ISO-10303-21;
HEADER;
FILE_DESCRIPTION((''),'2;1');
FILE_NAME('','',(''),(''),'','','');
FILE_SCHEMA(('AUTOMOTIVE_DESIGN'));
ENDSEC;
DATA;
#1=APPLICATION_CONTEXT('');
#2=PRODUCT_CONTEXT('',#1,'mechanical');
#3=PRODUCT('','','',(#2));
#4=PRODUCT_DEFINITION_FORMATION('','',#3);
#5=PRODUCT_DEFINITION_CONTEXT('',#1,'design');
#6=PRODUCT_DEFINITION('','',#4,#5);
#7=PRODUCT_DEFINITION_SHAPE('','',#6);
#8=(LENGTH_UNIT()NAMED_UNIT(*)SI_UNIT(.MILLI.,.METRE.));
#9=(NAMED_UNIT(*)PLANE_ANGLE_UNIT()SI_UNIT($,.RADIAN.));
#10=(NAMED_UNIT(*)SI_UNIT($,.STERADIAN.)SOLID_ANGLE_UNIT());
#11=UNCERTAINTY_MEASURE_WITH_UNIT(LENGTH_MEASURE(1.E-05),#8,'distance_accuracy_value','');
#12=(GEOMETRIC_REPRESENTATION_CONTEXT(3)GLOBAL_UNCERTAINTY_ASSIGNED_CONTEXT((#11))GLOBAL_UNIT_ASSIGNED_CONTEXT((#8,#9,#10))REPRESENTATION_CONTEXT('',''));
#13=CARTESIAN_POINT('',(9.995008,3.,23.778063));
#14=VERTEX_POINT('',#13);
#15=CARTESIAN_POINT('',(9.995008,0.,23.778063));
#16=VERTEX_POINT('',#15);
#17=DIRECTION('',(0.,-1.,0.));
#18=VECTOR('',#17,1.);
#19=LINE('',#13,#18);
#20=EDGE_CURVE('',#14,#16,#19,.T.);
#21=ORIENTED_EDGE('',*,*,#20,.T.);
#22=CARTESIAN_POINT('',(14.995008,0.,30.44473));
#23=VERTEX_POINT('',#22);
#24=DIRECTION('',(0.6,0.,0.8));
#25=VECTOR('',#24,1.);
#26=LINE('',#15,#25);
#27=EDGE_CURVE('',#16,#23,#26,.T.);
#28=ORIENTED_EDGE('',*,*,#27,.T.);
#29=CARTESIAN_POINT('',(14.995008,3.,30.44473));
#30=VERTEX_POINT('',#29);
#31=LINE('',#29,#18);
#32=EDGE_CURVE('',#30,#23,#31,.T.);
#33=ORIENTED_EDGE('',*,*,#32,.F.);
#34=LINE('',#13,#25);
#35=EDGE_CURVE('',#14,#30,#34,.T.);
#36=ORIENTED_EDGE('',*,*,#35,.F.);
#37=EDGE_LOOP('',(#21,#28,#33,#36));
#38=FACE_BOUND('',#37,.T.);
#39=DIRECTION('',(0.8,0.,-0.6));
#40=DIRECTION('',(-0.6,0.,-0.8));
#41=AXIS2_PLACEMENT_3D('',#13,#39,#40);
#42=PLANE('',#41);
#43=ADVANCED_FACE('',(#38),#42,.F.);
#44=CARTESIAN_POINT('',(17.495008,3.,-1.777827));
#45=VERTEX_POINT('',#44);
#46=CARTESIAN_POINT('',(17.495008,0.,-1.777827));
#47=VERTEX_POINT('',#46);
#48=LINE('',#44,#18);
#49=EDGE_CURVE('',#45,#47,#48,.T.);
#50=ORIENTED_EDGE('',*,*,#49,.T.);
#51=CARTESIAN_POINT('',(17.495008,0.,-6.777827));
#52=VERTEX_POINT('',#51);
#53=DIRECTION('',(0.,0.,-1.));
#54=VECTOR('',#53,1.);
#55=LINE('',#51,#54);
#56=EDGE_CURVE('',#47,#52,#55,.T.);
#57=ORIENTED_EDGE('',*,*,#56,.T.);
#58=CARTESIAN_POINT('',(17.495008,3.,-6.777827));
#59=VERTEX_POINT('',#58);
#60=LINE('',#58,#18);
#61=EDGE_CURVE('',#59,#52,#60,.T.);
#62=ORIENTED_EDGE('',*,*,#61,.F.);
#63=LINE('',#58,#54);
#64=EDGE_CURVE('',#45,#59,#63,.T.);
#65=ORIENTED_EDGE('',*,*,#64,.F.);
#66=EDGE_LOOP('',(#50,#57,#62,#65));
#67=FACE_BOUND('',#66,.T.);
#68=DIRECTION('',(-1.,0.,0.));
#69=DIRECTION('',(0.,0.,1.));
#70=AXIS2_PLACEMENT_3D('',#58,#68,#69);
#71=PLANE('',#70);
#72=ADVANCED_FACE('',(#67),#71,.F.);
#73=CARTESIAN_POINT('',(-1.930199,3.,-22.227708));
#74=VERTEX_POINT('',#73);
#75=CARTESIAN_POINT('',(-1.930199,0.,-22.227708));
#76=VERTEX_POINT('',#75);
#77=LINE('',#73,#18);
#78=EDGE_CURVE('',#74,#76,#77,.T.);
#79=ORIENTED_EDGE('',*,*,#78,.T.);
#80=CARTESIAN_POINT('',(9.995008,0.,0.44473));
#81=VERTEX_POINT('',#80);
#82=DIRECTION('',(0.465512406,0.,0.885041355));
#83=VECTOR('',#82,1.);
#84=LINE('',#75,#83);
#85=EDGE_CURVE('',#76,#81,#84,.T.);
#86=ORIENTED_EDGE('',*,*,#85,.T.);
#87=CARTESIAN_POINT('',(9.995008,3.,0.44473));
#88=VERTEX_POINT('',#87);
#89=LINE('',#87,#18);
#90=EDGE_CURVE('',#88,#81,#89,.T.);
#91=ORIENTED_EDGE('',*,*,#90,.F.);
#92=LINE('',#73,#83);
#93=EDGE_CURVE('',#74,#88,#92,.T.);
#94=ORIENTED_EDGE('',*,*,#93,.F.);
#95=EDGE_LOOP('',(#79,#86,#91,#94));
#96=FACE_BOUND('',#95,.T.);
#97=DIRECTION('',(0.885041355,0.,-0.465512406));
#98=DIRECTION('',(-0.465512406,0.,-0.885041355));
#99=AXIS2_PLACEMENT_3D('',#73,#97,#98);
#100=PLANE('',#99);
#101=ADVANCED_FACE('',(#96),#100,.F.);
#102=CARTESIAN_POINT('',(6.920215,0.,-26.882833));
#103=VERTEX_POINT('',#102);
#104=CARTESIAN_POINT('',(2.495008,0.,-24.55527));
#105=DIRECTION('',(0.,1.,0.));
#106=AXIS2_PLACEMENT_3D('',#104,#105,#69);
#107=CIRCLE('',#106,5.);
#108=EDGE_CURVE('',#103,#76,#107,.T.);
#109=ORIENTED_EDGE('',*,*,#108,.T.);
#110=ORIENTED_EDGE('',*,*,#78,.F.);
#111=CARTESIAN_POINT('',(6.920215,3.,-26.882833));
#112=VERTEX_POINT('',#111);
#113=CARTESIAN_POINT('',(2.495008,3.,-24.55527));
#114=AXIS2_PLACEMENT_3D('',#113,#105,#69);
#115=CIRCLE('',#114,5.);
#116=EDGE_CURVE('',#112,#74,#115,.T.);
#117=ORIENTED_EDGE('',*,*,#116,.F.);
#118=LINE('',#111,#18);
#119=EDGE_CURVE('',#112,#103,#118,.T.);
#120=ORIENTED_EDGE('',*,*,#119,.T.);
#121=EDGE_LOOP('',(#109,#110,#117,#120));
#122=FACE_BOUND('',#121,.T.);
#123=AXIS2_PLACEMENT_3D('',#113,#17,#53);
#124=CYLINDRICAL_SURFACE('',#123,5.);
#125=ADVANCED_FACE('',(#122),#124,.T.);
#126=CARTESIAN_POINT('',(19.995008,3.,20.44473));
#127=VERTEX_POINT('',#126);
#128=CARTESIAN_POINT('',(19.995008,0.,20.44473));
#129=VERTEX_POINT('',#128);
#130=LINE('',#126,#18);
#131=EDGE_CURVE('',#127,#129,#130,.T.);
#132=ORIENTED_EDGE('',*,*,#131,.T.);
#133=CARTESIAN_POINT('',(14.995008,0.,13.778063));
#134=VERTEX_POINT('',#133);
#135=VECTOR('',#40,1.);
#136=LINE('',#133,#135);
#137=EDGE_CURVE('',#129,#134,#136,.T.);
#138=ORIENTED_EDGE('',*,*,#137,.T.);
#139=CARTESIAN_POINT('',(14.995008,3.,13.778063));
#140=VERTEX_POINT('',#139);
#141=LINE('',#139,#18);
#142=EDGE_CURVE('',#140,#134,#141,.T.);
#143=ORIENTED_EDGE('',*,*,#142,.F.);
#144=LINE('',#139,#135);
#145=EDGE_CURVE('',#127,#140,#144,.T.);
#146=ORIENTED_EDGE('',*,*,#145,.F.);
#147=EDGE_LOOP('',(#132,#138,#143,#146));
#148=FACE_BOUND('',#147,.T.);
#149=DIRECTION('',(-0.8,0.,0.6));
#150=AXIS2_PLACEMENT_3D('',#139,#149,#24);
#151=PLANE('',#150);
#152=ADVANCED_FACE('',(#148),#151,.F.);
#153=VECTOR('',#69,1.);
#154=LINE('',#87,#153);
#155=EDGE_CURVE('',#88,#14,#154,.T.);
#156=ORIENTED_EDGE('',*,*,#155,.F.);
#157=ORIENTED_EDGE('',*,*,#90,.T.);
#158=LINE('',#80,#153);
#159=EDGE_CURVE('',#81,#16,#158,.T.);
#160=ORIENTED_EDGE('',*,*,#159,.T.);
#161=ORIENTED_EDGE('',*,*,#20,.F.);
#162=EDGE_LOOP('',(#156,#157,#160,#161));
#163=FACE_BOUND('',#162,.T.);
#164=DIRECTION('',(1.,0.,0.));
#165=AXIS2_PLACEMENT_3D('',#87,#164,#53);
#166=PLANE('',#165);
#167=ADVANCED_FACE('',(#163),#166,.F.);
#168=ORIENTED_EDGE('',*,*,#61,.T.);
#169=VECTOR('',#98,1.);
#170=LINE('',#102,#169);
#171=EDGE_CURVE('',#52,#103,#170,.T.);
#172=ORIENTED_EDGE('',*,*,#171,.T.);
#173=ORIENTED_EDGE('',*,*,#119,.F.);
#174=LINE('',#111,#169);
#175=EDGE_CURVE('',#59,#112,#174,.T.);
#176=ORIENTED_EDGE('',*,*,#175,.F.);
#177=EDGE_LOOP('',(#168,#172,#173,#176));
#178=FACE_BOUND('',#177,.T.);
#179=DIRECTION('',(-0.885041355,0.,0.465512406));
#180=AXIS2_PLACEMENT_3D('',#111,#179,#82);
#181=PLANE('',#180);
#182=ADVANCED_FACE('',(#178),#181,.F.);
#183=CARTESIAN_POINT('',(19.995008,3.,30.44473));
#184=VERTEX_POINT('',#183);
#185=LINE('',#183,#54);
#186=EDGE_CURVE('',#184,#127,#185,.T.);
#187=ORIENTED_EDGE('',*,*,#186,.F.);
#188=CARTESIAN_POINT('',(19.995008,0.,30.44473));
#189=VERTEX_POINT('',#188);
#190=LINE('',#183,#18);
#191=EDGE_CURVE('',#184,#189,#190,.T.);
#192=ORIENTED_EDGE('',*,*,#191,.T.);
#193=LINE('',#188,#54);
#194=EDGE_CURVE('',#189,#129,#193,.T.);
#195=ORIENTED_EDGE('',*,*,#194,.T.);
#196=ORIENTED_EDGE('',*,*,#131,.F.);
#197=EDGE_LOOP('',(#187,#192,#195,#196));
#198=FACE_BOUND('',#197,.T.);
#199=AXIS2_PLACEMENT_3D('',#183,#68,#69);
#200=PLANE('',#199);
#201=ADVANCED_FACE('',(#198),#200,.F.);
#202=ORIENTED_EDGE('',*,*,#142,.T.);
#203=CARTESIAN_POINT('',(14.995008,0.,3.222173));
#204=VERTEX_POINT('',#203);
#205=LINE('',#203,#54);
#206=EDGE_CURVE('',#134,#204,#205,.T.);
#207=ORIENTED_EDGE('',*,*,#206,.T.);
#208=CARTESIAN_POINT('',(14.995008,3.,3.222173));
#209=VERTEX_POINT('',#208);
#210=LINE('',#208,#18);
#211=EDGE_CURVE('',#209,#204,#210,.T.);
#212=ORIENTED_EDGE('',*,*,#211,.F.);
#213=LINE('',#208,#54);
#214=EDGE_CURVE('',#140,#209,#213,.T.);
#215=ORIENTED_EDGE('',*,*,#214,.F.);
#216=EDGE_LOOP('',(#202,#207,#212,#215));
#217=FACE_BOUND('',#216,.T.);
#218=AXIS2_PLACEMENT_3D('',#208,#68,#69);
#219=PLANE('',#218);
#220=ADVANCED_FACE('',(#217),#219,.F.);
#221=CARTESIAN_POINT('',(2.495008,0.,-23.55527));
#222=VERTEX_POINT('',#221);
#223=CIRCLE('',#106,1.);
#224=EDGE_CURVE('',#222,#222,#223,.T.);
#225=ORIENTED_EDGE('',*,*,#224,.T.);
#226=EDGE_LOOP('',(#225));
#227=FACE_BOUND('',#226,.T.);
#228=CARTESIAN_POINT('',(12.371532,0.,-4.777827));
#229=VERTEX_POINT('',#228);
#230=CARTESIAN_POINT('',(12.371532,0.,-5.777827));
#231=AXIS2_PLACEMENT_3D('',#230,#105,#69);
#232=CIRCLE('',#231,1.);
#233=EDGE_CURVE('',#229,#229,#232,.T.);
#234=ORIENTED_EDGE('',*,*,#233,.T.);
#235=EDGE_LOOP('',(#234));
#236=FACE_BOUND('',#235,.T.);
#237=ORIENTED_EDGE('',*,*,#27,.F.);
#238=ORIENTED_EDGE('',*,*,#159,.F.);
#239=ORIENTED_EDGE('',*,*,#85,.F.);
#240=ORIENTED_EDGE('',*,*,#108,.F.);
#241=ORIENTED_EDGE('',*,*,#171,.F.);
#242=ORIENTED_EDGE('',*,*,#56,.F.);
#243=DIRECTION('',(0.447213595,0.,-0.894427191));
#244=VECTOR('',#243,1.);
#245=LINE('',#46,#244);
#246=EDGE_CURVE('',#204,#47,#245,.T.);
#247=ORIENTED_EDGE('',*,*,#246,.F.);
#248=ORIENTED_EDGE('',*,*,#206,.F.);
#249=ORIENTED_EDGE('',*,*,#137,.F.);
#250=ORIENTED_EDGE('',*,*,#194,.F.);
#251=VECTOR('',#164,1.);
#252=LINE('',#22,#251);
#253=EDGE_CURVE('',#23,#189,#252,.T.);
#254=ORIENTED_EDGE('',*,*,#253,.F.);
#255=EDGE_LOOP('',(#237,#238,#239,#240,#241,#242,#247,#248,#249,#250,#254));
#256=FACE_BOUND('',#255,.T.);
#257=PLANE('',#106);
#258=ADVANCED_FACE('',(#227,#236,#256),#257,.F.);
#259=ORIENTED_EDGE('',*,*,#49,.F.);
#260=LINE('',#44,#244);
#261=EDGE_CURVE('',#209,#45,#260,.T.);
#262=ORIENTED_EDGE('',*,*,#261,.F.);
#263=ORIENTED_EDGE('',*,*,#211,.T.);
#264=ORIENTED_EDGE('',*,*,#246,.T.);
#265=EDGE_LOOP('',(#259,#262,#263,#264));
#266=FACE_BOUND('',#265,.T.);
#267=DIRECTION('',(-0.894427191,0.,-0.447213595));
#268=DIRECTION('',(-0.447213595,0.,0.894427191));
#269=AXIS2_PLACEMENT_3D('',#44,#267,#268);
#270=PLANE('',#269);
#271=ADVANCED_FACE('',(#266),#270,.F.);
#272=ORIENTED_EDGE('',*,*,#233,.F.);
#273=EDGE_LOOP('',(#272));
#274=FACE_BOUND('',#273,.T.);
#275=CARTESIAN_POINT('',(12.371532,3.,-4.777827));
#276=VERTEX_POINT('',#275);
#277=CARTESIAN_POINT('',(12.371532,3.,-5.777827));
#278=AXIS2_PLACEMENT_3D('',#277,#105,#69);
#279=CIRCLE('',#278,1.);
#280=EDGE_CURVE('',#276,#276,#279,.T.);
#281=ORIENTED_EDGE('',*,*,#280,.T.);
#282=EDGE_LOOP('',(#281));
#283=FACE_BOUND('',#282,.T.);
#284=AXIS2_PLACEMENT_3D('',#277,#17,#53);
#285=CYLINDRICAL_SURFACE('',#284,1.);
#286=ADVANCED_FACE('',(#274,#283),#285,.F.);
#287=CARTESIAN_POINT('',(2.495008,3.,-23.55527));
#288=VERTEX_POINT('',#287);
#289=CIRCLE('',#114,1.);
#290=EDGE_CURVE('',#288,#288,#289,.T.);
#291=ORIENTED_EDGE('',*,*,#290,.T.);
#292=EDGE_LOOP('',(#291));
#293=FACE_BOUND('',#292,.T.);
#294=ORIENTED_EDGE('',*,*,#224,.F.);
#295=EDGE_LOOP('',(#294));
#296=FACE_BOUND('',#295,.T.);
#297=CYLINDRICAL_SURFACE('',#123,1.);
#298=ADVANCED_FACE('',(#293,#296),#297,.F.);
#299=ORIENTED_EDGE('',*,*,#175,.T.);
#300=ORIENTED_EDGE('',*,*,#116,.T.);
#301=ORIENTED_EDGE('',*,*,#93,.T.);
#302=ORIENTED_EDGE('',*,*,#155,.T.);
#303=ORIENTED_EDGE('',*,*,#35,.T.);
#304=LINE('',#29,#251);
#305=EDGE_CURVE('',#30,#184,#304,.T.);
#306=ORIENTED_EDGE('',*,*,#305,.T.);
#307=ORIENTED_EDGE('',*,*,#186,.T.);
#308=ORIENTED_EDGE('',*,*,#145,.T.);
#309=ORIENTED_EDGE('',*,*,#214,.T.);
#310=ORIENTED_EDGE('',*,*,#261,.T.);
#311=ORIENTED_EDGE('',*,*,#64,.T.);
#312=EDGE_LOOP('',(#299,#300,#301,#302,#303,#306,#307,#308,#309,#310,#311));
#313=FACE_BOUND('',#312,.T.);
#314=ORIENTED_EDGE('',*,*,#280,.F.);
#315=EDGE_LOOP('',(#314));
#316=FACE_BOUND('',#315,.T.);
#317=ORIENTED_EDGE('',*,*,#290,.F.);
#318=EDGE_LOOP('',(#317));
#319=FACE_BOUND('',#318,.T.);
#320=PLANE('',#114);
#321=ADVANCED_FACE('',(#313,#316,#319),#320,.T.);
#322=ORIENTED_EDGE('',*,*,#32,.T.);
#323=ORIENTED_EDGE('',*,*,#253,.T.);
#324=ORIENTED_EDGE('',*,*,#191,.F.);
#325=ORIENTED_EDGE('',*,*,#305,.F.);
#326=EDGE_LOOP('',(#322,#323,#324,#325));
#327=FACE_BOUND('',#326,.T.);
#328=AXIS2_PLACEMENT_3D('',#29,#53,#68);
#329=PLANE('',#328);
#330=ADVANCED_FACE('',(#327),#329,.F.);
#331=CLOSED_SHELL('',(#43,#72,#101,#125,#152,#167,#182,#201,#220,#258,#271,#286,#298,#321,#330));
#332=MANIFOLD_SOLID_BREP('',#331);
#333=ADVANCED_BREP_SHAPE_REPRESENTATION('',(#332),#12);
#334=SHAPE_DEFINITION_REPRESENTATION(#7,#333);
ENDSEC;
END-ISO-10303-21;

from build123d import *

# Parameters (mm, degrees)
CROQUIS1_R              = 1
SALIENTE_EXTRUIR1_DEPTH = 3


with BuildPart() as part:
    # Croquis1 → Saliente-Extruir1 (new body)
    with BuildSketch(Plane(origin=(0, 0, 0), x_dir=(1, 0, 0), z_dir=(0, 1, 0))):
        with BuildLine():
            Line((-1.930199007, 22.227708448), (9.995007766, -0.44472952))
            Line((9.995007766, -0.44472952), (9.995007766, -23.778062853))
            Line((9.995007766, -23.778062853), (14.995007766, -30.44472952))
            Line((14.995007766, -30.44472952), (19.995007766, -30.44472952))
            Line((19.995007766, -30.44472952), (19.995007766, -20.44472952))
            Line((19.995007766, -20.44472952), (14.995007766, -13.778062853))
            Line((14.995007766, -13.778062853), (14.995007766, -3.222172626))
            Line((14.995007766, -3.222172626), (17.495007766, 1.777827374))
            Line((17.495007766, 1.777827374), (17.495007766, 6.777827374))
            Line((17.495007766, 6.777827374), (6.920214539, 26.882832512))
            ThreePointArc((6.920214539, 26.882832512), (0.167445734, 28.980477254), (-1.930199007, 22.227708448))
        make_face()
        with Locations((2.495007766, 24.55527048)):
            Circle(CROQUIS1_R, mode=Mode.SUBTRACT)
        with Locations((12.371532383, 5.777827374)):
            Circle(CROQUIS1_R, mode=Mode.SUBTRACT)
    extrude(amount=SALIENTE_EXTRUIR1_DEPTH)


solid = part.part
